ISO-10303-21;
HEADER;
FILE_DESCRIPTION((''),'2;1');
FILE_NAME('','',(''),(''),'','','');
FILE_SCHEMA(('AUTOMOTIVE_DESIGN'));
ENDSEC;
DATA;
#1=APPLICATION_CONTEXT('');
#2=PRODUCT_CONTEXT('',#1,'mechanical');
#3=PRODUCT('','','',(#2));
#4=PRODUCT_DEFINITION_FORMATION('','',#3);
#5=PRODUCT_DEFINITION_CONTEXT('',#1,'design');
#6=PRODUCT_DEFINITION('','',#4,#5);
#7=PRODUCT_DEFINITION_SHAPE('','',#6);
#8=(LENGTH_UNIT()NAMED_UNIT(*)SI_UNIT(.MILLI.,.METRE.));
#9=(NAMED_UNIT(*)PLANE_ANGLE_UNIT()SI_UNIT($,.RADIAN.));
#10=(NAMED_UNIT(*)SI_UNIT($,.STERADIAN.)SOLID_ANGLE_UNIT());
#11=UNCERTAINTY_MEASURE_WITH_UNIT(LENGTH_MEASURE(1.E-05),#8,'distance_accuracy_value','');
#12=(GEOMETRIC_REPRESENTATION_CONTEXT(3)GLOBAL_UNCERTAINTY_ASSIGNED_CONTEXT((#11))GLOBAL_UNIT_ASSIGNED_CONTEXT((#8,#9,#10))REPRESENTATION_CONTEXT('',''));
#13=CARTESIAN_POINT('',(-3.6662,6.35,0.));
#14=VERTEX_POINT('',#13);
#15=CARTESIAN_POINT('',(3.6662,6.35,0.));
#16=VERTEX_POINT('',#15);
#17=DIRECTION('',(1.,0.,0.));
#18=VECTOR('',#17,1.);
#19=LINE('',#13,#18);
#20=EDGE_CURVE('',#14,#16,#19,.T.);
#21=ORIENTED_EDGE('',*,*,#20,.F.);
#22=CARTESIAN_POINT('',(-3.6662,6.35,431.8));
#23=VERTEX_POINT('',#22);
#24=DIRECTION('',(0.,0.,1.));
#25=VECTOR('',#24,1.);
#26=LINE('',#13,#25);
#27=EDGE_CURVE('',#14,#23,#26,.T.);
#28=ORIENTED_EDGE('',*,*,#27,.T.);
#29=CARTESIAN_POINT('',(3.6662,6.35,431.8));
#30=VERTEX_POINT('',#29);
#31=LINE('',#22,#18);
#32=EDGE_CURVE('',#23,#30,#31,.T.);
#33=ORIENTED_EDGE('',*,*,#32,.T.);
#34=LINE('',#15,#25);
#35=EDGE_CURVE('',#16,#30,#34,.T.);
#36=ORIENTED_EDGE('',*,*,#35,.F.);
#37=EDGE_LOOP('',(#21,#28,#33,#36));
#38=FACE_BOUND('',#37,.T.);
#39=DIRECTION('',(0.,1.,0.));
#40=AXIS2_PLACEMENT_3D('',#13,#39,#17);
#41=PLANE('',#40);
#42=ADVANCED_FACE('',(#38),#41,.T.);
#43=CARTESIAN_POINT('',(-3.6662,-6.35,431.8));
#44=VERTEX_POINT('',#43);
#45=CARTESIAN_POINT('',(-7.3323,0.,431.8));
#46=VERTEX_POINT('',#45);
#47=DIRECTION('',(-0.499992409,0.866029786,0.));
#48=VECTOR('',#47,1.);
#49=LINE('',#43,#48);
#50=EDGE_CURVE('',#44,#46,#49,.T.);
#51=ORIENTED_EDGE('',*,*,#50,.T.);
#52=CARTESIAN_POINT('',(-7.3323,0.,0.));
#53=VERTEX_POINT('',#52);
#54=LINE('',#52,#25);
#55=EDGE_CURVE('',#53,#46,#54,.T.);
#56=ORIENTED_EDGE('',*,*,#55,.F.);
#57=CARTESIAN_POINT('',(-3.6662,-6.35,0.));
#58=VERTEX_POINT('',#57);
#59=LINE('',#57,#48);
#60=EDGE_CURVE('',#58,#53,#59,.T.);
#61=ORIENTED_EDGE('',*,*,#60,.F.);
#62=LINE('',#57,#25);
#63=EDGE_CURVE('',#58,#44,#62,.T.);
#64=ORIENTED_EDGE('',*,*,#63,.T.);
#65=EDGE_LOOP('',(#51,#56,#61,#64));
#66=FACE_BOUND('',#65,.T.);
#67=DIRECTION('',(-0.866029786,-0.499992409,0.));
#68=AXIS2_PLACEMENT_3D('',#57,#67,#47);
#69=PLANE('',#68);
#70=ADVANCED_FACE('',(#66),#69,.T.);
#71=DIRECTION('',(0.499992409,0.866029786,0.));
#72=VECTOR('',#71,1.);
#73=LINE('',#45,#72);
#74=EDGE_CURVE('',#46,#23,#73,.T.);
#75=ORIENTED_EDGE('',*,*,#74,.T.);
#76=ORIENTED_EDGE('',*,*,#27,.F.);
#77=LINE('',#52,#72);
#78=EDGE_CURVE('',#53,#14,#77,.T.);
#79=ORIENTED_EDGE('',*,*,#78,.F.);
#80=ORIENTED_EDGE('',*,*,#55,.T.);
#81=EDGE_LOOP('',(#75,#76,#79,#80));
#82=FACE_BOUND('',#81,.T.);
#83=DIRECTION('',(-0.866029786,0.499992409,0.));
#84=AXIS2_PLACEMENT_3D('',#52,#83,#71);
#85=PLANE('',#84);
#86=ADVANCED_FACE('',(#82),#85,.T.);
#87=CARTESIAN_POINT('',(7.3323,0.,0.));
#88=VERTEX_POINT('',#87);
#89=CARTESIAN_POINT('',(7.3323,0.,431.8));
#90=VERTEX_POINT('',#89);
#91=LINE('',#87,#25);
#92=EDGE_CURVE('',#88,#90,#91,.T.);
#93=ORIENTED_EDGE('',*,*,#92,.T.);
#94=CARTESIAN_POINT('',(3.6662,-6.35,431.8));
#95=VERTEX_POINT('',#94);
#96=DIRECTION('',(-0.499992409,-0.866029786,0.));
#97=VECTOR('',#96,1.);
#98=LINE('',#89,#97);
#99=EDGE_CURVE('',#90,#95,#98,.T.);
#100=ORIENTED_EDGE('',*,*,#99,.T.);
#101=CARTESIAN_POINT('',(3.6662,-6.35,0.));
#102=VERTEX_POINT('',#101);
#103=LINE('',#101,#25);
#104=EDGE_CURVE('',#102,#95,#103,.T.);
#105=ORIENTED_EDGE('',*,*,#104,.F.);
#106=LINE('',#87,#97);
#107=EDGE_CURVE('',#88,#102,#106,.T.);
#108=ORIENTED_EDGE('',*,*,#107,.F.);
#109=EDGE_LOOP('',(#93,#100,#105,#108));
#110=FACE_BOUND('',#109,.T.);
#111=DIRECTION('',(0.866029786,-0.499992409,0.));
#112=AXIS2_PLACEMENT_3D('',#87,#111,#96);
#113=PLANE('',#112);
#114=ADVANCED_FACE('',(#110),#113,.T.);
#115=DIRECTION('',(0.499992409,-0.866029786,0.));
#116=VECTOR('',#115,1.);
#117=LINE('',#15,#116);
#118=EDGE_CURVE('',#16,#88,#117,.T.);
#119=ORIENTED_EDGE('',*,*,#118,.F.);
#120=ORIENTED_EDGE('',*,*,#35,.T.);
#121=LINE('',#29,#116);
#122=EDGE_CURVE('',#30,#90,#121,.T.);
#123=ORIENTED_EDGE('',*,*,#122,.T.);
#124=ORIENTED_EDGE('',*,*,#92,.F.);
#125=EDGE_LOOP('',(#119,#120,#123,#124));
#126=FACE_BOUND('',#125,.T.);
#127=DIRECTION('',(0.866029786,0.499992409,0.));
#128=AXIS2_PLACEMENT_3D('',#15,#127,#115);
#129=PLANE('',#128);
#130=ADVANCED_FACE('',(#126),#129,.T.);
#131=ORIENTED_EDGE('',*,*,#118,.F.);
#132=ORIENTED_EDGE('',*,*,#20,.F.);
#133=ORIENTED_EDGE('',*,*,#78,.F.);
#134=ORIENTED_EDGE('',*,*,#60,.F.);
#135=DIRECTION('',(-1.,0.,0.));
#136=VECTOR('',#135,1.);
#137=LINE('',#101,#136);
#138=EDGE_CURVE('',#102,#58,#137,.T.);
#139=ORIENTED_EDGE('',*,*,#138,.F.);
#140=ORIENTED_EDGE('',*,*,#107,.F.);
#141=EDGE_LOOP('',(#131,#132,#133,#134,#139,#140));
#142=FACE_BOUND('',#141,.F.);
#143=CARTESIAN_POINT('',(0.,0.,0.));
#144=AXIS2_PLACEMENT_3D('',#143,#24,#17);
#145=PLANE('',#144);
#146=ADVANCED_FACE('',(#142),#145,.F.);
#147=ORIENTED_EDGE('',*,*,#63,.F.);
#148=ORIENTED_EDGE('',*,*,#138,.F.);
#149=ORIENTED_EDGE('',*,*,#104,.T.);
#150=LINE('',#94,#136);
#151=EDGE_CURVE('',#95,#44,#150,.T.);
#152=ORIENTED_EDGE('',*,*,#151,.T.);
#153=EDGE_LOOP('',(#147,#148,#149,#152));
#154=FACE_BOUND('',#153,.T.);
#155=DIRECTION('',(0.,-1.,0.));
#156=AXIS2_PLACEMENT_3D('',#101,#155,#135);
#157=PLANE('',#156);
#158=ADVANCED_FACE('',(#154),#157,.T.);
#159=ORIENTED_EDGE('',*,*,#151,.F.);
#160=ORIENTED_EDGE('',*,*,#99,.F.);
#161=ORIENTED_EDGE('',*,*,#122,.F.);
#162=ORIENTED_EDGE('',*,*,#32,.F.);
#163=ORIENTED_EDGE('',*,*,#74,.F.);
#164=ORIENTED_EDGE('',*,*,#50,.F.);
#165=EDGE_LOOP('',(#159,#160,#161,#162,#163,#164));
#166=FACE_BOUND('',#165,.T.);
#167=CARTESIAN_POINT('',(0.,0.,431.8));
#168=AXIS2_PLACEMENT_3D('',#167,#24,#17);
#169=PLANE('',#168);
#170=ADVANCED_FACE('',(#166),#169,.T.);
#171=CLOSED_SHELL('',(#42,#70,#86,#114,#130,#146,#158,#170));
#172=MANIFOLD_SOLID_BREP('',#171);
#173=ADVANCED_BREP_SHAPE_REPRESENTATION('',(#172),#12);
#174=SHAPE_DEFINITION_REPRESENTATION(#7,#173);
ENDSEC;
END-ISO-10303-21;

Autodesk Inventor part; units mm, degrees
ref_plane "YZ Plane" through (0, 0, 0) normal (1, 0, 0) x (0, 1, 0)
ref_plane "XZ Plane" through (0, 0, 0) normal (0, 1, 0) x (-1, 0, 0)
ref_plane "XY Plane" through (0, 0, 0) normal (0, 0, 1) x (1, 0, 0)
sketch "Sketch1" plane through (0, 0, 0) normal (0, 0, 1) x (1, 0, 0)
  line L0 (3.6662, 6.35) -> (7.3323, 0)
  line L1 (7.3323, 0) -> (3.6662, -6.35)
  line L2 (3.6662, -6.35) -> (-3.6662, -6.35)
  line L3 (-3.6662, -6.35) -> (-7.3323, 0)
  line L4 (-7.3323, 0) -> (-3.6662, 6.35)
  line L5 (-3.6662, 6.35) -> (3.6662, 6.35)
  point P0 (0, 0)
  point P1 (0, 0)
  dimension "d0" = 12.7
extrude "Extrusion1" add sketch "Sketch1" along normal blind 431.8
properties part number "hex rod 17 inch" material "Steel, Alloy"
